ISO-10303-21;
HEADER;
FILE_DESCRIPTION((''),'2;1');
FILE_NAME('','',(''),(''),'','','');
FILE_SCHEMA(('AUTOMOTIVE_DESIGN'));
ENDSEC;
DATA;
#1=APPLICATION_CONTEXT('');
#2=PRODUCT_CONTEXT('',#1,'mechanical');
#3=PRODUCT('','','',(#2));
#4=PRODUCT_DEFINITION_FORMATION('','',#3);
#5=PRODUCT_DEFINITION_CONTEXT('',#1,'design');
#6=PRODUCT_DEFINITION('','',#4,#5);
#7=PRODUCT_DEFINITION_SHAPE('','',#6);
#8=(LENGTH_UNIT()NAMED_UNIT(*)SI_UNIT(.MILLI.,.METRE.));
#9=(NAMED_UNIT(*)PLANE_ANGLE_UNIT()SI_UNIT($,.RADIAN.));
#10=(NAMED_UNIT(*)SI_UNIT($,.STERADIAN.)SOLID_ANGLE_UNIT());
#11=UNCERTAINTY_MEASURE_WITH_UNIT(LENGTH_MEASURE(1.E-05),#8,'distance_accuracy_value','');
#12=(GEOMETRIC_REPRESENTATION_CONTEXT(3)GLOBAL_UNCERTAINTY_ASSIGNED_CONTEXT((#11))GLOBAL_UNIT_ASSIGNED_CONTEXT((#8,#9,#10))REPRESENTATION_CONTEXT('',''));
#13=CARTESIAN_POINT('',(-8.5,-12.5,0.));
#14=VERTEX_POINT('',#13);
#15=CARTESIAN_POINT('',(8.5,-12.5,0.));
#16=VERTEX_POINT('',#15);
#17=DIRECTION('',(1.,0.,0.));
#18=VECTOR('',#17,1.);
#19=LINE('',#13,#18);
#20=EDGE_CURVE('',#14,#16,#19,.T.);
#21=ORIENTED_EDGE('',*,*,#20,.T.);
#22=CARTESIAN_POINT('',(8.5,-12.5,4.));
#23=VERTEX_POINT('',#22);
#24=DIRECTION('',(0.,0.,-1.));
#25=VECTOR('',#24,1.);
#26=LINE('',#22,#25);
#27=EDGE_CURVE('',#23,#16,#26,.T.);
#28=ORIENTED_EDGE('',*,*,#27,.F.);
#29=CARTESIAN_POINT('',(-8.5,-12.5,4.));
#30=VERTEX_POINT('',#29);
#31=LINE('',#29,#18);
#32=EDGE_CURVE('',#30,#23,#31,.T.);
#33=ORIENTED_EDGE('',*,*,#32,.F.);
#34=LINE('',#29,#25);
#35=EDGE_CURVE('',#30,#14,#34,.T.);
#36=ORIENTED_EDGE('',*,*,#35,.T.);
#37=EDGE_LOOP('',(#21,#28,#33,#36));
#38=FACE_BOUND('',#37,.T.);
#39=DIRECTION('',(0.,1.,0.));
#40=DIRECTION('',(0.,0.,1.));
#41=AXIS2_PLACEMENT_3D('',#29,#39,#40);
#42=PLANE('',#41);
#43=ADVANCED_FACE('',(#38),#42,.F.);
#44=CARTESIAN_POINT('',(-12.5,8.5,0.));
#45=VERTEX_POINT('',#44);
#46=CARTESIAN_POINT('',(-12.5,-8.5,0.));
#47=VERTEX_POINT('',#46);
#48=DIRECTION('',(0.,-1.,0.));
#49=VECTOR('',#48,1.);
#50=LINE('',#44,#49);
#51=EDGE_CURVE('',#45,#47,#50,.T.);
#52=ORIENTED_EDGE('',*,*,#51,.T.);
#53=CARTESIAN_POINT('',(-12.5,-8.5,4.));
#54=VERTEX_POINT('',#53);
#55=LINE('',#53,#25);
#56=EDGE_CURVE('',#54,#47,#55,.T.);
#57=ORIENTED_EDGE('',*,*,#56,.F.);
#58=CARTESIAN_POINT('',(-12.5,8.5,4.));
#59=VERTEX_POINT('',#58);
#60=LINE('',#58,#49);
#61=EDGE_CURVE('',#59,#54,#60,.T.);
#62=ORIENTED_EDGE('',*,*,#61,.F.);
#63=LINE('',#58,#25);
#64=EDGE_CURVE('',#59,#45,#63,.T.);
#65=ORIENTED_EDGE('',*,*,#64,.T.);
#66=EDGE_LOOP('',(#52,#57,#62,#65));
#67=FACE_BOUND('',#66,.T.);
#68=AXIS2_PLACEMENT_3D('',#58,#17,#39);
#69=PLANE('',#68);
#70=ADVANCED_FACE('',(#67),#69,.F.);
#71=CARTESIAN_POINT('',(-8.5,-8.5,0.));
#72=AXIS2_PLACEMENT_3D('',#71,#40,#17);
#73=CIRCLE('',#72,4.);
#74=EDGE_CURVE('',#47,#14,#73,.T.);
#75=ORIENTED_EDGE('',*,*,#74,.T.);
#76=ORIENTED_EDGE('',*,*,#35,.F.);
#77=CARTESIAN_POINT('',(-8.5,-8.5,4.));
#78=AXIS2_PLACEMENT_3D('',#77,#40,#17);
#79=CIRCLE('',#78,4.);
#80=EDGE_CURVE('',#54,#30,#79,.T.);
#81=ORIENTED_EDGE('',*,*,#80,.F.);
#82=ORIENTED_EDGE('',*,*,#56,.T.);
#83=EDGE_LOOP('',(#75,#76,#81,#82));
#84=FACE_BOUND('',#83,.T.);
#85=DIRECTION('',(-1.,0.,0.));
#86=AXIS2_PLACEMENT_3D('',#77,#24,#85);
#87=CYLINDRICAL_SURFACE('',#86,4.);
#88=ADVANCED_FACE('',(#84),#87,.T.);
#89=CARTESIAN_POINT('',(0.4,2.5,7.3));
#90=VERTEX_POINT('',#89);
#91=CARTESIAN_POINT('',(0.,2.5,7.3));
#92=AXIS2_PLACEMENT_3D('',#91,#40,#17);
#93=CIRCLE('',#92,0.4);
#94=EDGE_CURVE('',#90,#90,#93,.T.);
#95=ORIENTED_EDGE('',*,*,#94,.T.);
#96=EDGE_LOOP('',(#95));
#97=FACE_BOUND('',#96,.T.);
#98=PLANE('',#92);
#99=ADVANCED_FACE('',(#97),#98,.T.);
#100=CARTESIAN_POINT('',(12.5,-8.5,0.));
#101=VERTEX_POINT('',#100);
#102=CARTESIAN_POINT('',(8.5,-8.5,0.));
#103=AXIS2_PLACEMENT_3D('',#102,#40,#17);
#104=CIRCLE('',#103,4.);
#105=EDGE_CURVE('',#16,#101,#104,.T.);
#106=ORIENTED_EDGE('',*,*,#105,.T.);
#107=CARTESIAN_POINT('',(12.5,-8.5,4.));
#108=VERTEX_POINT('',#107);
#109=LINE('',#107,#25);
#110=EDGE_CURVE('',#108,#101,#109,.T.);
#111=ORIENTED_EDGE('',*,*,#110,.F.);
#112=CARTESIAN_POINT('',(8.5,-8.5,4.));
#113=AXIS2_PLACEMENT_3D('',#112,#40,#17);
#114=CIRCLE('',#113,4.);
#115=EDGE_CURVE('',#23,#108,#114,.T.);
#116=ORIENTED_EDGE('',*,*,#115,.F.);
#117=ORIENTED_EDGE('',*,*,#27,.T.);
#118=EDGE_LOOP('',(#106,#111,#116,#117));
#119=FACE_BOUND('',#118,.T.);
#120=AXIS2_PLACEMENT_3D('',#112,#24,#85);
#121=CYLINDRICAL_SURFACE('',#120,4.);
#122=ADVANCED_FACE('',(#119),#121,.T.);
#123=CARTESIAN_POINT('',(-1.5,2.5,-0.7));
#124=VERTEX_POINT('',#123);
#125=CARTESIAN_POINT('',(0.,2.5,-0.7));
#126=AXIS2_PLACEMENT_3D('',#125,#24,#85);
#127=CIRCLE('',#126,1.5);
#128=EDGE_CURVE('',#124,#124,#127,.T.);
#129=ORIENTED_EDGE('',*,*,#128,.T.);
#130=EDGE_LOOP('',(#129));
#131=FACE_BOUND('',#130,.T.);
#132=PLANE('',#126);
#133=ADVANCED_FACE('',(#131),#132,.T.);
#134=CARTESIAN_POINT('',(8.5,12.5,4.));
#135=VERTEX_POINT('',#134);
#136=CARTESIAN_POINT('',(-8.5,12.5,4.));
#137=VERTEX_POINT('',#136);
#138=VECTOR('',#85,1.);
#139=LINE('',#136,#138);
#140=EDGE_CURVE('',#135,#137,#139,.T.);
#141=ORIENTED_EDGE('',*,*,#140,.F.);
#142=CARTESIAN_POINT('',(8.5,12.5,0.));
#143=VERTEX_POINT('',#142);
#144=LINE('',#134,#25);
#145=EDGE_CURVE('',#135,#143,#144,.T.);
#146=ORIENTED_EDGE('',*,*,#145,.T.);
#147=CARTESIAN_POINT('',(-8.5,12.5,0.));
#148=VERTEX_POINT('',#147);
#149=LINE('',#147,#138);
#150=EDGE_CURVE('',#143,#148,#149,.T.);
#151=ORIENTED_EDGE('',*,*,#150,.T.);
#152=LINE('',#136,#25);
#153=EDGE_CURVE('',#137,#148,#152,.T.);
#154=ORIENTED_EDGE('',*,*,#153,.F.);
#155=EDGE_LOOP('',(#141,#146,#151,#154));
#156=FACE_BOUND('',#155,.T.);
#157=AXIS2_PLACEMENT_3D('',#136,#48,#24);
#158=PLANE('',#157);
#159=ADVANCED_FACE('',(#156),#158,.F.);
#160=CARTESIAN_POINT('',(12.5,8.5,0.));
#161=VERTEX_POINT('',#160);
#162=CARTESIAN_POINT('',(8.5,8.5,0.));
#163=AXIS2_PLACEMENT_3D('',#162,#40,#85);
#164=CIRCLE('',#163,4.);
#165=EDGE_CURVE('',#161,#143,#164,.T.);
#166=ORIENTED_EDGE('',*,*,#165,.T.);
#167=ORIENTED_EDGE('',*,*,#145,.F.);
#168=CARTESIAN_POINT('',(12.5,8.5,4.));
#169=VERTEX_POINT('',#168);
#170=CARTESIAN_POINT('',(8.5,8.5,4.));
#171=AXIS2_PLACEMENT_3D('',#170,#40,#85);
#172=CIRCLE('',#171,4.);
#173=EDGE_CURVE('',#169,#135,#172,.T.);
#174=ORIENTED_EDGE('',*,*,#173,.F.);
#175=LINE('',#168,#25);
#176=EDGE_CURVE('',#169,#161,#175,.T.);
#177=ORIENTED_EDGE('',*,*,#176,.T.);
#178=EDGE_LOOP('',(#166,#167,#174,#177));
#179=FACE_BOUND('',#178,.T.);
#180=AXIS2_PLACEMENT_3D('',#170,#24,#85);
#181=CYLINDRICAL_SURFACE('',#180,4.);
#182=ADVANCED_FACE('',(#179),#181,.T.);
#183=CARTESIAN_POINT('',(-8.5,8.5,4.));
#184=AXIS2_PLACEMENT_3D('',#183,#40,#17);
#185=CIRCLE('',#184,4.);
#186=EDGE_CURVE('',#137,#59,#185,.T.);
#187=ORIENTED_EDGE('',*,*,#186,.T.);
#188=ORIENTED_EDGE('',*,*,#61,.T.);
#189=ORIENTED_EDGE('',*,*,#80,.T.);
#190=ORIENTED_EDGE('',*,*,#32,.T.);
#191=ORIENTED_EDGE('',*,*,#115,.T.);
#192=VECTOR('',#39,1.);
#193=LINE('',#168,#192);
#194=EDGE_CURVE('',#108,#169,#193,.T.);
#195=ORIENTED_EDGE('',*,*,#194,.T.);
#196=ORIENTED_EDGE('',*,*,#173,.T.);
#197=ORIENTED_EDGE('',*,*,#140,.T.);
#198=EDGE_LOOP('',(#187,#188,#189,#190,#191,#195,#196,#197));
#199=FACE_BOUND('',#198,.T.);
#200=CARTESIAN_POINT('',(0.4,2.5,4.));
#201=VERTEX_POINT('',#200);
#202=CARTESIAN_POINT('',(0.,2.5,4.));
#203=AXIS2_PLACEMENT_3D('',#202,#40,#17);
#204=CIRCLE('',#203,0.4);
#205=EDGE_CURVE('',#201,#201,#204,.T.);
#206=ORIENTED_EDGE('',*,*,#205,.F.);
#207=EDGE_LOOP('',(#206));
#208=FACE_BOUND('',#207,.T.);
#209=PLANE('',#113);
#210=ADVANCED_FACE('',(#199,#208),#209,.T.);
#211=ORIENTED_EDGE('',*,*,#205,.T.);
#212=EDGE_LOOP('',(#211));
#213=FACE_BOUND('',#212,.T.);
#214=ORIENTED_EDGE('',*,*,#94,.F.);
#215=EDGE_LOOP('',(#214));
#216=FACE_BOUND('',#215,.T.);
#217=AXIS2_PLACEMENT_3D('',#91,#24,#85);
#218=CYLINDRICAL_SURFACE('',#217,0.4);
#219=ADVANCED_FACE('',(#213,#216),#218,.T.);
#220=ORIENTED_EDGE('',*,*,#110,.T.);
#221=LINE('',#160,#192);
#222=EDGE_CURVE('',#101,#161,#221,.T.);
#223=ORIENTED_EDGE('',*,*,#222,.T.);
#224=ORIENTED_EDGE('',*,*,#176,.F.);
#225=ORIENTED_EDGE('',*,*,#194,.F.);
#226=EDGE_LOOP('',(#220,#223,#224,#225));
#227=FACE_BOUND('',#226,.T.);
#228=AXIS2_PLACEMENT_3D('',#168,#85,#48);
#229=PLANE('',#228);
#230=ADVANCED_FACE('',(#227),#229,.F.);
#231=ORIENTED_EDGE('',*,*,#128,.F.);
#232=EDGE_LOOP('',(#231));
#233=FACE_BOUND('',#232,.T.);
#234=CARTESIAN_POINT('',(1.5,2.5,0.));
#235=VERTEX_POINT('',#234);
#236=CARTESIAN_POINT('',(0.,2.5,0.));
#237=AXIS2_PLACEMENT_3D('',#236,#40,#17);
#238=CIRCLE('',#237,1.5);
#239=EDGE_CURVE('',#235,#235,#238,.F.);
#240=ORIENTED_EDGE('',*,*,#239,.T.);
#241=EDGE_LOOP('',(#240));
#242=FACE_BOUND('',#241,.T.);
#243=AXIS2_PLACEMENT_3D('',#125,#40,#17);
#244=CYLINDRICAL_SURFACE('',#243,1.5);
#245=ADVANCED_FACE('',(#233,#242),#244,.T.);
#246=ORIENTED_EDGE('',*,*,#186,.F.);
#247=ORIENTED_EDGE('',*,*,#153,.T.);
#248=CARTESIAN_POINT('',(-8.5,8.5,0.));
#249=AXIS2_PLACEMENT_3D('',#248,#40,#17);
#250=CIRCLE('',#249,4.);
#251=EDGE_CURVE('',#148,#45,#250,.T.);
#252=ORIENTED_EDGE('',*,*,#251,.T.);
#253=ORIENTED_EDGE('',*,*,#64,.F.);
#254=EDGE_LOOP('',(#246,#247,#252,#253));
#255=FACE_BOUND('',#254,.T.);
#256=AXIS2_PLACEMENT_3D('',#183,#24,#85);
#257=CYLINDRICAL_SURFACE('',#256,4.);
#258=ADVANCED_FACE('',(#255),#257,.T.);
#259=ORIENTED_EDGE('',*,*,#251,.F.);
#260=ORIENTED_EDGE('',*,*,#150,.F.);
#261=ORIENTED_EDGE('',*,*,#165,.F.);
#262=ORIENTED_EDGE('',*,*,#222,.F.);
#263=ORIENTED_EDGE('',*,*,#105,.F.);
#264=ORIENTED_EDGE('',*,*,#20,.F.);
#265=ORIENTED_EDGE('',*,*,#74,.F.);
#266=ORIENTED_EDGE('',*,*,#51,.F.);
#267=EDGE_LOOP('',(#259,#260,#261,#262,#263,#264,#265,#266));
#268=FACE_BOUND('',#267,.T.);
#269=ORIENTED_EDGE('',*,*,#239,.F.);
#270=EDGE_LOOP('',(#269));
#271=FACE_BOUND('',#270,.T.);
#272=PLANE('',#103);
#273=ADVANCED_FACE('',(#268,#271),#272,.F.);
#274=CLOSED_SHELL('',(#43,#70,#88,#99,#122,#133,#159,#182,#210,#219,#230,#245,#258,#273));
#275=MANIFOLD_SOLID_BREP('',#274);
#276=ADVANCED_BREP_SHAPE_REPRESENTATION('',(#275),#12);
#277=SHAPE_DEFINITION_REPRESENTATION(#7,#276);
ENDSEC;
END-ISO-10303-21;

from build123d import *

# Parameters (mm, degrees)
EXTRUDE_1_DEPTH = 4
SKETCH_2_R      = 0.4
EXTRUDE_2_DEPTH = 3.3
SKETCH_3_R      = 1.5
EXTRUDE_3_DEPTH = 0.7


with BuildPart() as part:
    # Эскиз1 → Бобышка-Вытянуть1 (new body)
    with BuildSketch(Plane.XY):
        with BuildLine():
            Line((-8.5, 12.5), (8.5, 12.5))
            ThreePointArc((8.5, 12.5), (11.328427125, 11.328427125), (12.5, 8.5))
            Line((12.5, 8.5), (12.5, -8.5))
            ThreePointArc((12.5, -8.5), (11.328427125, -11.328427125), (8.5, -12.5))
            Line((8.5, -12.5), (-8.5, -12.5))
            ThreePointArc((-8.5, -12.5), (-11.328427125, -11.328427125), (-12.5, -8.5))
            Line((-12.5, -8.5), (-12.5, 8.5))
            ThreePointArc((-12.5, 8.5), (-11.328427125, 11.328427125), (-8.5, 12.5))
        make_face()
    extrude(amount=EXTRUDE_1_DEPTH)

    # Эскиз2 → Бобышка-Вытянуть2 (add)
    with BuildSketch(Plane.XY.offset(4)):
        with Locations((0, 2.5)):
            Circle(SKETCH_2_R)
    extrude(amount=EXTRUDE_2_DEPTH)

    # Эскиз3 → Бобышка-Вытянуть3 (add)
    with BuildSketch(Plane(origin=(0, 0, 0), x_dir=(-1, 0, 0), z_dir=(0, 0, -1))):
        with Locations(Location((0, 2.5, 0), (0, 0, 180))):
            Circle(SKETCH_3_R)
    extrude(amount=EXTRUDE_3_DEPTH)


solid = part.part
